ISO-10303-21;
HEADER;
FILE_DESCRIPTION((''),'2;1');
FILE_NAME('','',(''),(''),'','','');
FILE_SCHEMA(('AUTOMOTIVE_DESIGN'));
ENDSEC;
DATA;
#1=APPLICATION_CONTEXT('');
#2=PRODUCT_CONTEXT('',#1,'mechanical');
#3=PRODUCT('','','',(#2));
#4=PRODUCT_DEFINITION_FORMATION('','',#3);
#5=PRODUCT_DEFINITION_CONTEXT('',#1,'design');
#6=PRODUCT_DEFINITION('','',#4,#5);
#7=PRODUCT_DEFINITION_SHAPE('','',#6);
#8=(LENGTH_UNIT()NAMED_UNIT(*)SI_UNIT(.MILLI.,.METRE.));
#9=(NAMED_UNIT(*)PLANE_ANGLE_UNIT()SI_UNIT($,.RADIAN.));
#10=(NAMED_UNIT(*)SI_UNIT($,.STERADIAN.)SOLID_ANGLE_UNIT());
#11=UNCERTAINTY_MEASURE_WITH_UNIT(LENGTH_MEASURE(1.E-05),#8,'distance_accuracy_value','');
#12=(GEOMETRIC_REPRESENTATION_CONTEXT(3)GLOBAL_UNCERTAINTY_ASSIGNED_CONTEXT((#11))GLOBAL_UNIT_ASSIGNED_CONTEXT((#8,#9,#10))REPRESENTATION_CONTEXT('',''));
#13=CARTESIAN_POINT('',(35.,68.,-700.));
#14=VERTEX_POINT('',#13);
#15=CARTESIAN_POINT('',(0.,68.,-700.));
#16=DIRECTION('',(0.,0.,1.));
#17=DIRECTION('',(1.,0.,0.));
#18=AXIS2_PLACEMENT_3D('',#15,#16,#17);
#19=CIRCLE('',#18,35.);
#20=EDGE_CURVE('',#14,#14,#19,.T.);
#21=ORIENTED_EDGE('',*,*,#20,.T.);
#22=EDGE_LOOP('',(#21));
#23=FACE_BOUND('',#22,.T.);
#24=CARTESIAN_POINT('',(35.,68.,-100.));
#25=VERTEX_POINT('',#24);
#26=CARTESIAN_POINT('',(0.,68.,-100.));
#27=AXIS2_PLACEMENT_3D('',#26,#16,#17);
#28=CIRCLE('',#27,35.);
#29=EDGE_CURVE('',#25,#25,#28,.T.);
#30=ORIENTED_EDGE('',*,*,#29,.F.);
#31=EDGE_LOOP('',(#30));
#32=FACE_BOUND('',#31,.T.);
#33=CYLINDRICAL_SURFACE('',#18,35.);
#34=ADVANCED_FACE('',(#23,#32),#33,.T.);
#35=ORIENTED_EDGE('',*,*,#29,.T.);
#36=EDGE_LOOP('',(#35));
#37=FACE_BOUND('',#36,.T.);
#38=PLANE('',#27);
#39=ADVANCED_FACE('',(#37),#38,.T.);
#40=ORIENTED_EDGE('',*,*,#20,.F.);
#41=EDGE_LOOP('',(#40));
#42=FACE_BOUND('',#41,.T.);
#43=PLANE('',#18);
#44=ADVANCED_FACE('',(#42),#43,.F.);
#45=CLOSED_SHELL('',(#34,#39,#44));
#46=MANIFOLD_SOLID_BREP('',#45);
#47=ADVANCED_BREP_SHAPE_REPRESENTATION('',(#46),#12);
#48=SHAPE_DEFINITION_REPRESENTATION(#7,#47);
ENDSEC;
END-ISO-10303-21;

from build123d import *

# Parameters (mm, degrees)
KAP_HELEZON_POM_D70_START = -100
SKETCH1_R                 = 35
KAP_HELEZON_POM_D70_DEPTH = 600


with BuildPart() as part:
    # Sketch1 → KAP_helezon_POM_D70 (new body)
    with BuildSketch(Plane.XY.offset(KAP_HELEZON_POM_D70_START)):
        with Locations((0, 68)):
            Circle(SKETCH1_R)
    extrude(amount=-KAP_HELEZON_POM_D70_DEPTH)


solid = part.part
